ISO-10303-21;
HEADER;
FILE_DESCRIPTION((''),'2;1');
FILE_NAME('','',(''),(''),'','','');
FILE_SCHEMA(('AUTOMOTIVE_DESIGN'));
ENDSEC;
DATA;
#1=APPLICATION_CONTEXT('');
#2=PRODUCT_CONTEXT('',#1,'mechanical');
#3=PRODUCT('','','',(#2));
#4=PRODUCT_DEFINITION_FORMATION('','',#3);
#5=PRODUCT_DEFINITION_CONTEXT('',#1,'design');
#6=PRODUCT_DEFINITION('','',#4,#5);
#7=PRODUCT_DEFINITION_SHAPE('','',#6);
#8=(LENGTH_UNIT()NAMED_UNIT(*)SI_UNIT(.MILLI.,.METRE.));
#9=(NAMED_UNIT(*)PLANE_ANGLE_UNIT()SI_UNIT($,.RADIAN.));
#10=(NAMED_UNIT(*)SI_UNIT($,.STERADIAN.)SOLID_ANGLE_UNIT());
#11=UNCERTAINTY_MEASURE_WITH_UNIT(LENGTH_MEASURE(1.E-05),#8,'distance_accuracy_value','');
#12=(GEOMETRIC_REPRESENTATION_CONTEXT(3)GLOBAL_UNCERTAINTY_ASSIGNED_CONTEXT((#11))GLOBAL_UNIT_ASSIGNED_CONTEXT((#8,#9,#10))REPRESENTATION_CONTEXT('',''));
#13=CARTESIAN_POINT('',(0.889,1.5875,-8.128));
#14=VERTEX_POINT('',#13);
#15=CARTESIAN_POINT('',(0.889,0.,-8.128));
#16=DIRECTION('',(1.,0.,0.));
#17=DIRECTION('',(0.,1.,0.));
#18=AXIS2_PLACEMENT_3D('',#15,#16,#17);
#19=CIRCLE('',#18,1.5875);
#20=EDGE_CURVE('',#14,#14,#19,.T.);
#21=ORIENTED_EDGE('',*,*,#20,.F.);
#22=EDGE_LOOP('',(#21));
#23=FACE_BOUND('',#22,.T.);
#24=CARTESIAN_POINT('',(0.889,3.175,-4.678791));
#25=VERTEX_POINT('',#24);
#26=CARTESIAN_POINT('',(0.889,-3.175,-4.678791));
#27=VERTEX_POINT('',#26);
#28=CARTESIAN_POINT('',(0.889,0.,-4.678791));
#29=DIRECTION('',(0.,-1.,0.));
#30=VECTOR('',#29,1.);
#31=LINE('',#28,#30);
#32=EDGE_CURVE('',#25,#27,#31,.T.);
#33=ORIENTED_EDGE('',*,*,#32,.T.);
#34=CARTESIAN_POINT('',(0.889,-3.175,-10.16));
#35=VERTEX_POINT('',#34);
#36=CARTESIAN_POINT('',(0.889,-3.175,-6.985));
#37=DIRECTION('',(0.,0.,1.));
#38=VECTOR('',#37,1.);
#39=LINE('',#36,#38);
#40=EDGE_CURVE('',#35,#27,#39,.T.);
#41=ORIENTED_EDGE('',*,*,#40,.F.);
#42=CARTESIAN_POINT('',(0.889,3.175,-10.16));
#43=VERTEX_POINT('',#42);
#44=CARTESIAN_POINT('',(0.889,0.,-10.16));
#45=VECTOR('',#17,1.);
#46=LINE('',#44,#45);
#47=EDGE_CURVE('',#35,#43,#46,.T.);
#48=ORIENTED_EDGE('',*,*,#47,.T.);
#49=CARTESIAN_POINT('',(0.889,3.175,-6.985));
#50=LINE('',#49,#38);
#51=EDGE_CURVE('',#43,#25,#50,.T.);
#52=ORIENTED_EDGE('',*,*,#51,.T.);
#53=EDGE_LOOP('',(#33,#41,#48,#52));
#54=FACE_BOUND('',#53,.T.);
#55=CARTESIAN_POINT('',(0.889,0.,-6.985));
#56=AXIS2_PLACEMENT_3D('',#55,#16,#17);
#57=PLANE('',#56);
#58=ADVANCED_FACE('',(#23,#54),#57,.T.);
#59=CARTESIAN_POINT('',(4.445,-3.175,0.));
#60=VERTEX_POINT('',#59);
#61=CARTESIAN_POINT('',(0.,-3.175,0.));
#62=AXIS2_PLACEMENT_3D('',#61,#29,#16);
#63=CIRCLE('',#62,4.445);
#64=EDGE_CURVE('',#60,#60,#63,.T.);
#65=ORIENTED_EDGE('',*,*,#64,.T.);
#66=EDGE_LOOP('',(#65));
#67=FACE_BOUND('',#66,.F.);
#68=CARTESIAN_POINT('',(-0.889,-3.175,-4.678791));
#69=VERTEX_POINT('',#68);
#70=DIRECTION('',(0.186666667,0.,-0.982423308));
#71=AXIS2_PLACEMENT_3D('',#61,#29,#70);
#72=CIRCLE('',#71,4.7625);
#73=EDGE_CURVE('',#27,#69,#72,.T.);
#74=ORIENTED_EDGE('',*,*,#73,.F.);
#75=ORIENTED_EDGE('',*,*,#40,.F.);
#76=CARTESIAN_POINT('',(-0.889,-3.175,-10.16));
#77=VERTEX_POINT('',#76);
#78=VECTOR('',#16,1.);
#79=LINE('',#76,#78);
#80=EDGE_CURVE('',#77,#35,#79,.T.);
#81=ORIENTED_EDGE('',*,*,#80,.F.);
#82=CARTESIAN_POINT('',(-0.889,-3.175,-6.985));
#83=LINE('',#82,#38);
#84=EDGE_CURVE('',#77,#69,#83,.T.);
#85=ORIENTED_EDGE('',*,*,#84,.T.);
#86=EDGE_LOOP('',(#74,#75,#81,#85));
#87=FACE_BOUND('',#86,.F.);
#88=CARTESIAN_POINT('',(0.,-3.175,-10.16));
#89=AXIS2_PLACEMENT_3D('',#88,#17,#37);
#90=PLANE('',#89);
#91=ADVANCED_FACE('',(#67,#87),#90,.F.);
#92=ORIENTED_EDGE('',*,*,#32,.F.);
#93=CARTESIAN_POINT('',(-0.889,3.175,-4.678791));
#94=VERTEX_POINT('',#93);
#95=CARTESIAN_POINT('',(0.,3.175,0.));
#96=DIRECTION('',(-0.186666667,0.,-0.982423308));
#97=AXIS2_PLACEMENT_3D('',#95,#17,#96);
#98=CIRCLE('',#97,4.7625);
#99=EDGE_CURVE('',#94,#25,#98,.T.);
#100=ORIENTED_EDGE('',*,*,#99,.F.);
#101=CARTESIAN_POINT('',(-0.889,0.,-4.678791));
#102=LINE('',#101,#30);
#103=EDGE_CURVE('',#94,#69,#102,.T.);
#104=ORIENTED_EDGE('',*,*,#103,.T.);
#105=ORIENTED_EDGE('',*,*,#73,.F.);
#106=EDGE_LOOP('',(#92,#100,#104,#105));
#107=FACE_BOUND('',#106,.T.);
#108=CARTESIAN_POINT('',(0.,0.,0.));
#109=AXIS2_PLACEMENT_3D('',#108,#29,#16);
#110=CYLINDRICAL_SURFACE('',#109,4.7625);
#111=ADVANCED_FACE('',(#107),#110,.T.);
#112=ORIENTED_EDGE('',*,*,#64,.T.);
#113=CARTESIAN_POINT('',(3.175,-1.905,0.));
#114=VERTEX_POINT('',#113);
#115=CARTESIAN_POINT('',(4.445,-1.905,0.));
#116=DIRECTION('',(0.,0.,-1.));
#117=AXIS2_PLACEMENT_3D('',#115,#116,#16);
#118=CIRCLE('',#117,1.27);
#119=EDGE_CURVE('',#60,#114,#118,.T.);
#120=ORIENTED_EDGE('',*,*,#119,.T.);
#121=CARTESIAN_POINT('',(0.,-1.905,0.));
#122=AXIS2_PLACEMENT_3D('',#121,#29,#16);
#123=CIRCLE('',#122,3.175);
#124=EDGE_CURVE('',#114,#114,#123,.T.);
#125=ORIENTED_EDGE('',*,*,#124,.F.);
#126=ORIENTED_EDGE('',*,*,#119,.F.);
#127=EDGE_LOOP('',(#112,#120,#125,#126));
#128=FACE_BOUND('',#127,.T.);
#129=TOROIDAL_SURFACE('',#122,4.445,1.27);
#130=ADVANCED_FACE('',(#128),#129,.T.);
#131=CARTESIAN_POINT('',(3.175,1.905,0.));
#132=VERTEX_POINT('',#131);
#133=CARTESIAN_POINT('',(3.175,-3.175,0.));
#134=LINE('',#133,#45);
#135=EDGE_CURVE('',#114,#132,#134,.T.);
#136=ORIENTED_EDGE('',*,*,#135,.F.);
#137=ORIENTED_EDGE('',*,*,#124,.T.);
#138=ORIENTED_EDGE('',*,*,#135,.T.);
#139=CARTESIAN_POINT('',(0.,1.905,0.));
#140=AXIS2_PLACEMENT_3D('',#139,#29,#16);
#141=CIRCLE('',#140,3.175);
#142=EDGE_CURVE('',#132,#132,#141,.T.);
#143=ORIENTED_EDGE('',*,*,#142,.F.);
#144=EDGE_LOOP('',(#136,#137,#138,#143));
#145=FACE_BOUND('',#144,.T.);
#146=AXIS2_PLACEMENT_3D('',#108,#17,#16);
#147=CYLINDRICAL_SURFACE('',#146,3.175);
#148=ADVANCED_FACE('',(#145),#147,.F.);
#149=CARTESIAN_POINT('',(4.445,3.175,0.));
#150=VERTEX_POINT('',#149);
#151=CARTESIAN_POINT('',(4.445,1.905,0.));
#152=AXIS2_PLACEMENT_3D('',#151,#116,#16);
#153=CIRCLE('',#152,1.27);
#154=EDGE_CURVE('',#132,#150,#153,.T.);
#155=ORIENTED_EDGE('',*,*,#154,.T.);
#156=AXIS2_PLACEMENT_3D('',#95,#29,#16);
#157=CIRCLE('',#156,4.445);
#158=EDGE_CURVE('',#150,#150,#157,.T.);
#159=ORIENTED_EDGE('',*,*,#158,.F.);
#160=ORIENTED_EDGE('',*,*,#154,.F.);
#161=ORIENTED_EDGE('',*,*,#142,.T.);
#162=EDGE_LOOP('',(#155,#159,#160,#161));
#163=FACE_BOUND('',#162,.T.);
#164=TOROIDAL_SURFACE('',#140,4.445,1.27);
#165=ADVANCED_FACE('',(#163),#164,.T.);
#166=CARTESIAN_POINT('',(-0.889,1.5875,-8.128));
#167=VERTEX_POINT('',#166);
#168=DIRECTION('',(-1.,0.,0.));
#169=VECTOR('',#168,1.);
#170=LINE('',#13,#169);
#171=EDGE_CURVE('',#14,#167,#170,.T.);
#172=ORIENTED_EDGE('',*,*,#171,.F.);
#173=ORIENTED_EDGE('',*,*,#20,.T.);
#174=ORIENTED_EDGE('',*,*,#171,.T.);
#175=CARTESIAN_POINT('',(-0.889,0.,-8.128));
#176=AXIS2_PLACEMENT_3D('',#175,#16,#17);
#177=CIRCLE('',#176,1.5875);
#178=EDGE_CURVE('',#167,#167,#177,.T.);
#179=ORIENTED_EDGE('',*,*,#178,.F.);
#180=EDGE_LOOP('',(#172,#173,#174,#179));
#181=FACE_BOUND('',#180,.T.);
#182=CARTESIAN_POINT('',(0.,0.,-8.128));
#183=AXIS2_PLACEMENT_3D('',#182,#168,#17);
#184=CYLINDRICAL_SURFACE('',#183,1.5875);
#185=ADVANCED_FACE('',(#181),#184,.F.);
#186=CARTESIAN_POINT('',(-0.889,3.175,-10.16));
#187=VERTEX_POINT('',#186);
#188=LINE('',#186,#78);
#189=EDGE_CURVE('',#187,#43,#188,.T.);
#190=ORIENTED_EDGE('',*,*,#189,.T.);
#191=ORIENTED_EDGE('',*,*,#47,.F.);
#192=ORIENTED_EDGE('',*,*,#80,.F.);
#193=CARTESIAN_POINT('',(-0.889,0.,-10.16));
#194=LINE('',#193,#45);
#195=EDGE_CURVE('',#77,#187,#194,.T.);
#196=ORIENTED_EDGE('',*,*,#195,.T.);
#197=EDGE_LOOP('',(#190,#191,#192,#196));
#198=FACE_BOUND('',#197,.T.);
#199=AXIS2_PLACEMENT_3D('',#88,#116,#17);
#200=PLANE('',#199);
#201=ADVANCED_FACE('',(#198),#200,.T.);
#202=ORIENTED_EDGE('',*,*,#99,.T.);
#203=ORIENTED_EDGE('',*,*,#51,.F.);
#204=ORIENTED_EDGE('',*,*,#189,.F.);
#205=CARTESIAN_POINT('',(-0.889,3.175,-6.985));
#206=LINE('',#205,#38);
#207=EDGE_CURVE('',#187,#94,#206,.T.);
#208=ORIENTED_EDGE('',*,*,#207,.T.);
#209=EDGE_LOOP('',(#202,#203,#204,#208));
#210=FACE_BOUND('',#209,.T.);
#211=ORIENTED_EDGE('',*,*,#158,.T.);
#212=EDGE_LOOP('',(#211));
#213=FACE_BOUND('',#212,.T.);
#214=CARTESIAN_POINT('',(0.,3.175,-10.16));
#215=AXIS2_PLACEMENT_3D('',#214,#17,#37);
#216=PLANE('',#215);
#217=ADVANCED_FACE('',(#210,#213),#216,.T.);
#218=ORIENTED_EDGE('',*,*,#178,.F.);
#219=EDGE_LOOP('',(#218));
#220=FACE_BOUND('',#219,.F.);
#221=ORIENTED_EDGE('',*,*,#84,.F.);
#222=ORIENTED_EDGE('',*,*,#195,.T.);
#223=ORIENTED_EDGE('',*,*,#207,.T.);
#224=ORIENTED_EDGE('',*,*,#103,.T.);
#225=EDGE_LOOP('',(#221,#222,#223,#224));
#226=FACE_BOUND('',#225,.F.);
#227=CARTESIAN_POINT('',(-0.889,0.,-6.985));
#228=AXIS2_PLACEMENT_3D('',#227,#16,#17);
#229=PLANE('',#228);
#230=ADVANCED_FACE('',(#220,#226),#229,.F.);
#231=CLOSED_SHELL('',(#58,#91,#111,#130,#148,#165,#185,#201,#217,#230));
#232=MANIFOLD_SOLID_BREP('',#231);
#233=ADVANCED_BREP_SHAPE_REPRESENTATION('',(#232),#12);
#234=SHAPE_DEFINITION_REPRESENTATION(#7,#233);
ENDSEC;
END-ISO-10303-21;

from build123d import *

# Parameters (mm, degrees)
F0_R     = 4.7625
F0_R_2   = 3.175
F1_DEPTH = 3.175
F2_W     = 6.35
F2_H     = 6.35
F2_R     = 1.5875
F3_DEPTH = 0.889
F4_R     = 1.27


with BuildPart() as f1:
    # F0 (on Front) → F1 (new body, symmetric)
    with BuildSketch(Plane.XZ):
        Circle(F0_R)
        Circle(F0_R_2, mode=Mode.SUBTRACT)
    extrude(amount=F1_DEPTH, both=True)

    # F2 (on Right) → F3 (join, symmetric)
    with BuildSketch(Plane.YZ):
        with Locations((0, -6.985)):
            Rectangle(F2_W, F2_H)
        with Locations((0, -8.128)):
            Circle(F2_R, mode=Mode.SUBTRACT)
    extrude(amount=F3_DEPTH, both=True)

    # F4
    f4_edges = [f1.edges().sort_by_distance(p)[0] for p in [
        (-3.175, -3.175, 0),
        (-3.175, 3.175, 0),
    ]]
    fillet(f4_edges, radius=F4_R)


solid = f1.part
